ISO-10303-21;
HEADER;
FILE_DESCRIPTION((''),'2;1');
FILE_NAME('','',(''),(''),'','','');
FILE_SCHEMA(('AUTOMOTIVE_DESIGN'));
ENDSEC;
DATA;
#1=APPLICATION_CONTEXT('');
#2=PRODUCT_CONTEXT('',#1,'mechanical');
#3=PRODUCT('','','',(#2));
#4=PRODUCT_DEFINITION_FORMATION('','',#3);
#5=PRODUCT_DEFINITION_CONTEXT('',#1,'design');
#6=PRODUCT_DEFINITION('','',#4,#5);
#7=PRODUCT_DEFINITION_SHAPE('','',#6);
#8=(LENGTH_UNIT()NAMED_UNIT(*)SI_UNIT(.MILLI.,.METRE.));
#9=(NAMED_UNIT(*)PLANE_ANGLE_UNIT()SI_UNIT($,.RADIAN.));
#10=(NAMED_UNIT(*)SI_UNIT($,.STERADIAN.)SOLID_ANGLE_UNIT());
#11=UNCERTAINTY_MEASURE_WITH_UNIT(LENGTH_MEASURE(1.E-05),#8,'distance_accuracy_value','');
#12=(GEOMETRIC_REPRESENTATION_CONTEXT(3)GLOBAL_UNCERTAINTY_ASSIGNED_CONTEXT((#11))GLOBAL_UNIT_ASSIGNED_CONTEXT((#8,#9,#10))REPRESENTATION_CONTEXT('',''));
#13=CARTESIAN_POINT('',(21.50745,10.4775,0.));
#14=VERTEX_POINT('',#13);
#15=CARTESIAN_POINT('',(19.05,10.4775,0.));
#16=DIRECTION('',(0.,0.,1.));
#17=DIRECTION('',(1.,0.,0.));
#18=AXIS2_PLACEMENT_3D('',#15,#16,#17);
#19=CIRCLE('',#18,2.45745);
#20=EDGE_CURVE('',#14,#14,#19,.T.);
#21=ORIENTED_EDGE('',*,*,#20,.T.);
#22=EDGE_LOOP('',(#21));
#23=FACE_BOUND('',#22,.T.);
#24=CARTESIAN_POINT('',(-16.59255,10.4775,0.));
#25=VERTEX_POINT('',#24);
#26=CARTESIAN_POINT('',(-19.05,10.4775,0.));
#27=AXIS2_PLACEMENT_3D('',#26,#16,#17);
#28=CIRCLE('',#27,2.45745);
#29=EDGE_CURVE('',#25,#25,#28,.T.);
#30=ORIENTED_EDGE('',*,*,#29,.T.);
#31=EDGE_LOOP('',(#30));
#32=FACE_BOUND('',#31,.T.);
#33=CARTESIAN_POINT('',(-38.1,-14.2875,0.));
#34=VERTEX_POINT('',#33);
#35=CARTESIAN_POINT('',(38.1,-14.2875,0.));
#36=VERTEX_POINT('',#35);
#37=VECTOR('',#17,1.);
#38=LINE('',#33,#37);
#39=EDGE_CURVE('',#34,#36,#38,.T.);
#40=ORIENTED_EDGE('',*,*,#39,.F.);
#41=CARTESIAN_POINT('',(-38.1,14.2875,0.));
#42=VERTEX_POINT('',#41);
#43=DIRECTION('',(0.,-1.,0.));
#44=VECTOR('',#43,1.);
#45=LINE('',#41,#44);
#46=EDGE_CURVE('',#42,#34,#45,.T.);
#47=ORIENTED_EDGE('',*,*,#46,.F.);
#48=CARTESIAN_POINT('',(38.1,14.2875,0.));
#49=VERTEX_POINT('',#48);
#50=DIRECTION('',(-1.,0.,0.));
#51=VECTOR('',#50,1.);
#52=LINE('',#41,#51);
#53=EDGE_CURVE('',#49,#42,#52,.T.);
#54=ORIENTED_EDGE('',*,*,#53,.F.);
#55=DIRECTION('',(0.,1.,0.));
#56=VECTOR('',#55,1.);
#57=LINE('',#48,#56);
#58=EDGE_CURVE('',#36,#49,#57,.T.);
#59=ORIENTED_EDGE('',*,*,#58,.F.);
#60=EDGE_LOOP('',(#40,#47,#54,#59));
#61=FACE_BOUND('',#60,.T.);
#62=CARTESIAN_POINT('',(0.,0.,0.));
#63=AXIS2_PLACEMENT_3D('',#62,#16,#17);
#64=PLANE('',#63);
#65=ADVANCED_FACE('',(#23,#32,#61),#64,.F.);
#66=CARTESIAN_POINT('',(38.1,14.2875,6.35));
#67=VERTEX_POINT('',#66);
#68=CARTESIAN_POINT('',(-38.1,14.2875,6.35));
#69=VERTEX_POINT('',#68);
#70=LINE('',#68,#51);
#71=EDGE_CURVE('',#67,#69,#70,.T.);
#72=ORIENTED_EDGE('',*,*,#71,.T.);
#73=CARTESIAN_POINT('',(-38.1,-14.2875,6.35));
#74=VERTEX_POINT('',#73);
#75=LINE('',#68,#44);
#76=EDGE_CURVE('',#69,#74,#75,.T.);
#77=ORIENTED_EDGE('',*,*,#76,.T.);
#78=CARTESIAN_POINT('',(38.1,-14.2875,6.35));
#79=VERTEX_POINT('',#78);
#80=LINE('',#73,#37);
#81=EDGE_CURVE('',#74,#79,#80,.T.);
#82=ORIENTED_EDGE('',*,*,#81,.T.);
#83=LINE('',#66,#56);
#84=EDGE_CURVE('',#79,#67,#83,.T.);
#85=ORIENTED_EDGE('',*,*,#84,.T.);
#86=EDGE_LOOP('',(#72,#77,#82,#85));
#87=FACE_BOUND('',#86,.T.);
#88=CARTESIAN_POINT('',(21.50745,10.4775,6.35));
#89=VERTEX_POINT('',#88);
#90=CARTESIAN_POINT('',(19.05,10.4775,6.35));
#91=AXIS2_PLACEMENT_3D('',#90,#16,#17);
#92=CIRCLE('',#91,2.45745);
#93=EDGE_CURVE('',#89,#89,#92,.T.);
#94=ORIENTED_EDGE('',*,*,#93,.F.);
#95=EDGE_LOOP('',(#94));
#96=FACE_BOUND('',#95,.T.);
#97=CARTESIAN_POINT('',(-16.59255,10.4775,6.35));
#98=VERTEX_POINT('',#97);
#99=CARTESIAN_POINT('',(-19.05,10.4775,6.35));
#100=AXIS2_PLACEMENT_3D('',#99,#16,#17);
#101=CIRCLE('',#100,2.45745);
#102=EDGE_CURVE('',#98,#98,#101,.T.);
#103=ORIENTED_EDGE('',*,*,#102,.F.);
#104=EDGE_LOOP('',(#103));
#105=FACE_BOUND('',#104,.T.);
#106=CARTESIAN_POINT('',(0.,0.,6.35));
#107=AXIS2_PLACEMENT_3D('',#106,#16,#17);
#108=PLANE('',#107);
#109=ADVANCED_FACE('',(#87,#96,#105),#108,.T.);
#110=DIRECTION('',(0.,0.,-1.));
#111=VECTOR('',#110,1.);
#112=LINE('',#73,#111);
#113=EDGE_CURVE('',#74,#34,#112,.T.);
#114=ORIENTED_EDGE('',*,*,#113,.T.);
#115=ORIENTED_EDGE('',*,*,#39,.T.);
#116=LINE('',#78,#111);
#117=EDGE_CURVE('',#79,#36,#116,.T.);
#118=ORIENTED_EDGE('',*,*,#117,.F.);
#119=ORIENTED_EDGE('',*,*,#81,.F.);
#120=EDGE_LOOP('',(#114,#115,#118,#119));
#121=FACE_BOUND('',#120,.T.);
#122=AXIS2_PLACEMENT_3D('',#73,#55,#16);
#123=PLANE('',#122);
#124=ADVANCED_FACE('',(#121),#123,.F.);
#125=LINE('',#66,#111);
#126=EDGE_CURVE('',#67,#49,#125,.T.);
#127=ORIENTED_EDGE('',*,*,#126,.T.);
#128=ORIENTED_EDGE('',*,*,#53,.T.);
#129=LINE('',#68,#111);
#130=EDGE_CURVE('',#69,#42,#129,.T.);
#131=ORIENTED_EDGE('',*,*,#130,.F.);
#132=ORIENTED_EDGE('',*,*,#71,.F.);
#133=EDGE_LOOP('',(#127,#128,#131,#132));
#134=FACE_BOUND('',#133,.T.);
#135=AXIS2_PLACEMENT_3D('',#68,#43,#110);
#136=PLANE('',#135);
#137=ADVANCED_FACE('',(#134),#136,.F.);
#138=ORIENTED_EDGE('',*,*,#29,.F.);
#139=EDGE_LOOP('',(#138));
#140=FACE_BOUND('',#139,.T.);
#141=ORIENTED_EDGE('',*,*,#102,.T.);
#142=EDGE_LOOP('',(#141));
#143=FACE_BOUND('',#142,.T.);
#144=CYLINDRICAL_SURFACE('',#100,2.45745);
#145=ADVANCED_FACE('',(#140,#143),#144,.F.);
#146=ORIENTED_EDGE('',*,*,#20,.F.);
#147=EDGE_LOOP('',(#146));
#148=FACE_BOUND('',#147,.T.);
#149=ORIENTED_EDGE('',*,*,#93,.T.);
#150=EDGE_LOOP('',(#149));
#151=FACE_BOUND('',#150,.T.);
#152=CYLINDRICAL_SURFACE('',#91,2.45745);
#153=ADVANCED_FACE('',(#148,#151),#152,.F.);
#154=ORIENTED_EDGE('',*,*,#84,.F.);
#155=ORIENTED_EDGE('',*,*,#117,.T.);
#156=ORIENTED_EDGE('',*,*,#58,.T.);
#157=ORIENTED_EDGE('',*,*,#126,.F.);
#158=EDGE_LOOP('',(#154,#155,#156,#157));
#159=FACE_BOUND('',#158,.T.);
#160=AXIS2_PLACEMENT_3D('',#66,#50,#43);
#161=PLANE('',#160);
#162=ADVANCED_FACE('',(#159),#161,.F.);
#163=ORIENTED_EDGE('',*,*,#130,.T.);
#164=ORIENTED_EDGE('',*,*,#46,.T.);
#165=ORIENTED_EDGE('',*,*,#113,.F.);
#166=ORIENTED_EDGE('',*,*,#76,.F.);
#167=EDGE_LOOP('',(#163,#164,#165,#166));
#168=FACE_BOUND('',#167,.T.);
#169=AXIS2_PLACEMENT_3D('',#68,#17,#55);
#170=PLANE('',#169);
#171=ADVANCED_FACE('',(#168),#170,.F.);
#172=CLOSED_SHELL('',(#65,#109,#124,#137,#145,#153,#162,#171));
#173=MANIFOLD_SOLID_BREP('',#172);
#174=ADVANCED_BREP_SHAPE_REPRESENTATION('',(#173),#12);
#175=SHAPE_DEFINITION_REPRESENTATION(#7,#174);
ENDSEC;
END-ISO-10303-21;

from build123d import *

# Parameters (mm, degrees)
SKETCH1_W                        = 76.2
SKETCH1_H                        = 28.575
BOSS_EXTRUDE1_DEPTH              = 6.35
F_10_0_1935_DIAMETER_HOLE1_D     = 4.9149
F_10_0_1935_DIAMETER_HOLE1_DEPTH = 6.35


with BuildPart() as part:
    # Sketch1 → Boss-Extrude1 (new body)
    with BuildSketch(Plane.XY):
        Rectangle(SKETCH1_W, SKETCH1_H)
    extrude(amount=BOSS_EXTRUDE1_DEPTH)

    # #10 (0.1935) Diameter Hole1
    with Locations(Plane.XY.offset(6.35)):
        with Locations((-19.05, 10.4775), (19.05, 10.4775)):
            Hole(F_10_0_1935_DIAMETER_HOLE1_D / 2, depth=F_10_0_1935_DIAMETER_HOLE1_DEPTH)


solid = part.part
